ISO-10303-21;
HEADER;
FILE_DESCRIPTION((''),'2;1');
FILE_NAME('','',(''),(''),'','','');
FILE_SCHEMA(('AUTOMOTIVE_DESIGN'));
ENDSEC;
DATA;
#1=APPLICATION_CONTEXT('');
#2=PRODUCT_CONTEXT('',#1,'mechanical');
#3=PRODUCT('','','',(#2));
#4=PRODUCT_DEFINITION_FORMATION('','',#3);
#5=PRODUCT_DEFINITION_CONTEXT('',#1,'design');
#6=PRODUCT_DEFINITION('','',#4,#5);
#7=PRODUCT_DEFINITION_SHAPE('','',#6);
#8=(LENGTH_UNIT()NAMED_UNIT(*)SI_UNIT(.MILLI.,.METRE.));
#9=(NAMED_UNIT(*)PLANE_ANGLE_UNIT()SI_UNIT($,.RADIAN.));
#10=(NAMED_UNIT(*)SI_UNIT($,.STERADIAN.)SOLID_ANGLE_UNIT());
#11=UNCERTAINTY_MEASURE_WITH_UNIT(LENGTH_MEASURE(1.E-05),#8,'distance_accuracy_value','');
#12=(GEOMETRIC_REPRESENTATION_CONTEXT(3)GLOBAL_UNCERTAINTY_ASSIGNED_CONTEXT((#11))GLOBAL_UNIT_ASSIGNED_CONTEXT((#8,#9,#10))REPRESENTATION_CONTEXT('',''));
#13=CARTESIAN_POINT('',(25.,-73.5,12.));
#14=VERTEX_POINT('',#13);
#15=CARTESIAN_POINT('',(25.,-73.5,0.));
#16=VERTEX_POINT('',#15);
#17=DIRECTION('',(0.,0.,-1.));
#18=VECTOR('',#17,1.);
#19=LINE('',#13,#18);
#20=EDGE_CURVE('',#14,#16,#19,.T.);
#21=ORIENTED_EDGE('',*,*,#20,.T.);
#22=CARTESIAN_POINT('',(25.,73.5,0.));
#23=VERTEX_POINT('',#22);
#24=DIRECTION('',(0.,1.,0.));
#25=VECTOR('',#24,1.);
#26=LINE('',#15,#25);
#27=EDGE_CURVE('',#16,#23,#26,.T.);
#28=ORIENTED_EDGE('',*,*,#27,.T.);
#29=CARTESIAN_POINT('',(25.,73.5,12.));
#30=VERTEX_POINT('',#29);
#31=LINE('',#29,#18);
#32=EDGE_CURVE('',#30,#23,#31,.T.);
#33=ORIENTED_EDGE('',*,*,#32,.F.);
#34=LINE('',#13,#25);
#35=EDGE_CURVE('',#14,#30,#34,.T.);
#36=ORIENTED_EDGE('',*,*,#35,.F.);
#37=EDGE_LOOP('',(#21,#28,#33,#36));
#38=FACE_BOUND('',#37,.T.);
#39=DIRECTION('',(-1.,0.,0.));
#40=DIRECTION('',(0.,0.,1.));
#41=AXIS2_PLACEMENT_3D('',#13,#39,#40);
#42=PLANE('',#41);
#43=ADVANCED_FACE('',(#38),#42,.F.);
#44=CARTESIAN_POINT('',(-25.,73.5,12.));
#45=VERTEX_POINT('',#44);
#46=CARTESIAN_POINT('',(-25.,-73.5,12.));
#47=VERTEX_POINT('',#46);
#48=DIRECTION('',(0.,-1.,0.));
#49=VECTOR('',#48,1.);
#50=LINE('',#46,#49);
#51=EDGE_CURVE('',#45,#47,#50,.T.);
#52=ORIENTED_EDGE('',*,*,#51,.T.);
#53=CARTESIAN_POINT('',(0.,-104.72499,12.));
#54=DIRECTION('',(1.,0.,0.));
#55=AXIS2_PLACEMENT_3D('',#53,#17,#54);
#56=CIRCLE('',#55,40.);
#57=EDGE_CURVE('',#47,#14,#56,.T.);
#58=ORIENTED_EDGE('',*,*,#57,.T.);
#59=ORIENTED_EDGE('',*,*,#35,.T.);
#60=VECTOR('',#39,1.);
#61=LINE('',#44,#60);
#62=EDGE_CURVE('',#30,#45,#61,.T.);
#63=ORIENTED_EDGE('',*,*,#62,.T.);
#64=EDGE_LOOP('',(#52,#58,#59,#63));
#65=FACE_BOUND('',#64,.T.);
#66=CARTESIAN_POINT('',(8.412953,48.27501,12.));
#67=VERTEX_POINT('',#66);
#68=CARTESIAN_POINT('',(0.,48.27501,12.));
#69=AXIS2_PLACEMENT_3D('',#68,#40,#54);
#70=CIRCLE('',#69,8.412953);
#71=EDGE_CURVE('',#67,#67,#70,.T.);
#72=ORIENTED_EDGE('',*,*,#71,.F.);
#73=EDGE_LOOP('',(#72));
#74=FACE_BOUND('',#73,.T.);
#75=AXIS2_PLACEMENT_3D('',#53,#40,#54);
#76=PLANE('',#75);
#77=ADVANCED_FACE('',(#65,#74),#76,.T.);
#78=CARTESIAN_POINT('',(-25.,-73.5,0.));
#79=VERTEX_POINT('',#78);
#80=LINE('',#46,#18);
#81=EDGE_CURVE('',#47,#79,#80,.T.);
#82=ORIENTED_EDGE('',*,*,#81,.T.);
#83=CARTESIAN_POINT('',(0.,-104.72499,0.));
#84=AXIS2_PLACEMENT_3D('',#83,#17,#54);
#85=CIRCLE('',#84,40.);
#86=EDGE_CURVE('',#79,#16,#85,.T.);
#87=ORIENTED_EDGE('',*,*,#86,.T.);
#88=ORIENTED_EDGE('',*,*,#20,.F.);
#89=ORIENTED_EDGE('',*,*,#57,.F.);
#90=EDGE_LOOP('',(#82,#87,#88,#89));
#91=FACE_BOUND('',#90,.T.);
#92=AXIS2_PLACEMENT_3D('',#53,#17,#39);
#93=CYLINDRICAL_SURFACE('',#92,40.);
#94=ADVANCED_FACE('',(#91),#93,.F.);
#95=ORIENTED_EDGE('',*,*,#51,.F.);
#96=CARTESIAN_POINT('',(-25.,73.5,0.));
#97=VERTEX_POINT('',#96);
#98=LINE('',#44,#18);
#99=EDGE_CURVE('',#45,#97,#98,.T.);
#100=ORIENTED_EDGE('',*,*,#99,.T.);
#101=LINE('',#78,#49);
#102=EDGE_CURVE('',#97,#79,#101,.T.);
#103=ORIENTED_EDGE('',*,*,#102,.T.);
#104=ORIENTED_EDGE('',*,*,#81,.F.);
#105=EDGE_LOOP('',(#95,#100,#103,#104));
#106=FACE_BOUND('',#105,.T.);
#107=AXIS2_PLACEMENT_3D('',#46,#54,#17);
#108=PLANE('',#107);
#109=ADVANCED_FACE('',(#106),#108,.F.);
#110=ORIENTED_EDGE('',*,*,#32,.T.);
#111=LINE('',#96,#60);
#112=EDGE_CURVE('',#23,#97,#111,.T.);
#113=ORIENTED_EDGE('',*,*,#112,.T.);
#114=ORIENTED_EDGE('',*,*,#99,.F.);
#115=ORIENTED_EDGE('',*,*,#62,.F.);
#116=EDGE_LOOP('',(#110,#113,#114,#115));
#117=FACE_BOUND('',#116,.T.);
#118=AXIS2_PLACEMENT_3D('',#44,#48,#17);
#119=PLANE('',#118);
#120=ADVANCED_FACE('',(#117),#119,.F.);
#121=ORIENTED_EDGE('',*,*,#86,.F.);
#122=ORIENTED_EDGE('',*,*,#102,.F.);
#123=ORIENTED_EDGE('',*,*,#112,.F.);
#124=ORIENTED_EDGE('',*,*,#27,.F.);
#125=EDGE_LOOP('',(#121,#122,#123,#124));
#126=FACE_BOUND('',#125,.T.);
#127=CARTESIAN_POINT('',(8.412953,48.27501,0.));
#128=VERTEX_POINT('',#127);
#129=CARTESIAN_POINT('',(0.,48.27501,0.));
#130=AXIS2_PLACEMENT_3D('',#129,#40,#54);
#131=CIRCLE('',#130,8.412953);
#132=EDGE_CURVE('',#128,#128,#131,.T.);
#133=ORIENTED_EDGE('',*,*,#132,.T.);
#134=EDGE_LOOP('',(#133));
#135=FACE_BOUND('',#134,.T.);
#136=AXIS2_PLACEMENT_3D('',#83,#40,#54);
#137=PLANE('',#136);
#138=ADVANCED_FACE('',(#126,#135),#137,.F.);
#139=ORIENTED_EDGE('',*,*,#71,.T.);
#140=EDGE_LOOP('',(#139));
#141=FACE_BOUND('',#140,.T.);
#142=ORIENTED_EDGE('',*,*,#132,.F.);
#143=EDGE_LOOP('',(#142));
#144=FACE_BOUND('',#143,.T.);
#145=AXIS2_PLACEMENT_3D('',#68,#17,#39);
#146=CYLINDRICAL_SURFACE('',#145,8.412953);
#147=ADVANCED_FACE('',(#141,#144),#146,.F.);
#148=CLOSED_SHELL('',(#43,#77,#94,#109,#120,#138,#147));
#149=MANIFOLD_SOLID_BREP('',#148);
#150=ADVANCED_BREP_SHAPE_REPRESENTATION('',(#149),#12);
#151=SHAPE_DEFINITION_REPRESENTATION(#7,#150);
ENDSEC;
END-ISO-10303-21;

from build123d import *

# Parameters (mm, degrees)
SKETCH1_R           = 8.412952976
BOSS_EXTRUDE1_DEPTH = 12


with BuildPart() as part:
    # Sketch1 → Boss-Extrude1 (new body)
    with BuildSketch(Plane.XY):
        with BuildLine():
            Line((-25, -73.5), (-25, 73.5))
            Line((-25, 73.5), (25, 73.5))
            Line((25, 73.5), (25, -73.5))
            ThreePointArc((25, -73.5), (0, -64.724989992), (-25, -73.5))
        make_face()
        with Locations((0, 48.275010008)):
            Circle(SKETCH1_R, mode=Mode.SUBTRACT)
    extrude(amount=BOSS_EXTRUDE1_DEPTH)


solid = part.part
